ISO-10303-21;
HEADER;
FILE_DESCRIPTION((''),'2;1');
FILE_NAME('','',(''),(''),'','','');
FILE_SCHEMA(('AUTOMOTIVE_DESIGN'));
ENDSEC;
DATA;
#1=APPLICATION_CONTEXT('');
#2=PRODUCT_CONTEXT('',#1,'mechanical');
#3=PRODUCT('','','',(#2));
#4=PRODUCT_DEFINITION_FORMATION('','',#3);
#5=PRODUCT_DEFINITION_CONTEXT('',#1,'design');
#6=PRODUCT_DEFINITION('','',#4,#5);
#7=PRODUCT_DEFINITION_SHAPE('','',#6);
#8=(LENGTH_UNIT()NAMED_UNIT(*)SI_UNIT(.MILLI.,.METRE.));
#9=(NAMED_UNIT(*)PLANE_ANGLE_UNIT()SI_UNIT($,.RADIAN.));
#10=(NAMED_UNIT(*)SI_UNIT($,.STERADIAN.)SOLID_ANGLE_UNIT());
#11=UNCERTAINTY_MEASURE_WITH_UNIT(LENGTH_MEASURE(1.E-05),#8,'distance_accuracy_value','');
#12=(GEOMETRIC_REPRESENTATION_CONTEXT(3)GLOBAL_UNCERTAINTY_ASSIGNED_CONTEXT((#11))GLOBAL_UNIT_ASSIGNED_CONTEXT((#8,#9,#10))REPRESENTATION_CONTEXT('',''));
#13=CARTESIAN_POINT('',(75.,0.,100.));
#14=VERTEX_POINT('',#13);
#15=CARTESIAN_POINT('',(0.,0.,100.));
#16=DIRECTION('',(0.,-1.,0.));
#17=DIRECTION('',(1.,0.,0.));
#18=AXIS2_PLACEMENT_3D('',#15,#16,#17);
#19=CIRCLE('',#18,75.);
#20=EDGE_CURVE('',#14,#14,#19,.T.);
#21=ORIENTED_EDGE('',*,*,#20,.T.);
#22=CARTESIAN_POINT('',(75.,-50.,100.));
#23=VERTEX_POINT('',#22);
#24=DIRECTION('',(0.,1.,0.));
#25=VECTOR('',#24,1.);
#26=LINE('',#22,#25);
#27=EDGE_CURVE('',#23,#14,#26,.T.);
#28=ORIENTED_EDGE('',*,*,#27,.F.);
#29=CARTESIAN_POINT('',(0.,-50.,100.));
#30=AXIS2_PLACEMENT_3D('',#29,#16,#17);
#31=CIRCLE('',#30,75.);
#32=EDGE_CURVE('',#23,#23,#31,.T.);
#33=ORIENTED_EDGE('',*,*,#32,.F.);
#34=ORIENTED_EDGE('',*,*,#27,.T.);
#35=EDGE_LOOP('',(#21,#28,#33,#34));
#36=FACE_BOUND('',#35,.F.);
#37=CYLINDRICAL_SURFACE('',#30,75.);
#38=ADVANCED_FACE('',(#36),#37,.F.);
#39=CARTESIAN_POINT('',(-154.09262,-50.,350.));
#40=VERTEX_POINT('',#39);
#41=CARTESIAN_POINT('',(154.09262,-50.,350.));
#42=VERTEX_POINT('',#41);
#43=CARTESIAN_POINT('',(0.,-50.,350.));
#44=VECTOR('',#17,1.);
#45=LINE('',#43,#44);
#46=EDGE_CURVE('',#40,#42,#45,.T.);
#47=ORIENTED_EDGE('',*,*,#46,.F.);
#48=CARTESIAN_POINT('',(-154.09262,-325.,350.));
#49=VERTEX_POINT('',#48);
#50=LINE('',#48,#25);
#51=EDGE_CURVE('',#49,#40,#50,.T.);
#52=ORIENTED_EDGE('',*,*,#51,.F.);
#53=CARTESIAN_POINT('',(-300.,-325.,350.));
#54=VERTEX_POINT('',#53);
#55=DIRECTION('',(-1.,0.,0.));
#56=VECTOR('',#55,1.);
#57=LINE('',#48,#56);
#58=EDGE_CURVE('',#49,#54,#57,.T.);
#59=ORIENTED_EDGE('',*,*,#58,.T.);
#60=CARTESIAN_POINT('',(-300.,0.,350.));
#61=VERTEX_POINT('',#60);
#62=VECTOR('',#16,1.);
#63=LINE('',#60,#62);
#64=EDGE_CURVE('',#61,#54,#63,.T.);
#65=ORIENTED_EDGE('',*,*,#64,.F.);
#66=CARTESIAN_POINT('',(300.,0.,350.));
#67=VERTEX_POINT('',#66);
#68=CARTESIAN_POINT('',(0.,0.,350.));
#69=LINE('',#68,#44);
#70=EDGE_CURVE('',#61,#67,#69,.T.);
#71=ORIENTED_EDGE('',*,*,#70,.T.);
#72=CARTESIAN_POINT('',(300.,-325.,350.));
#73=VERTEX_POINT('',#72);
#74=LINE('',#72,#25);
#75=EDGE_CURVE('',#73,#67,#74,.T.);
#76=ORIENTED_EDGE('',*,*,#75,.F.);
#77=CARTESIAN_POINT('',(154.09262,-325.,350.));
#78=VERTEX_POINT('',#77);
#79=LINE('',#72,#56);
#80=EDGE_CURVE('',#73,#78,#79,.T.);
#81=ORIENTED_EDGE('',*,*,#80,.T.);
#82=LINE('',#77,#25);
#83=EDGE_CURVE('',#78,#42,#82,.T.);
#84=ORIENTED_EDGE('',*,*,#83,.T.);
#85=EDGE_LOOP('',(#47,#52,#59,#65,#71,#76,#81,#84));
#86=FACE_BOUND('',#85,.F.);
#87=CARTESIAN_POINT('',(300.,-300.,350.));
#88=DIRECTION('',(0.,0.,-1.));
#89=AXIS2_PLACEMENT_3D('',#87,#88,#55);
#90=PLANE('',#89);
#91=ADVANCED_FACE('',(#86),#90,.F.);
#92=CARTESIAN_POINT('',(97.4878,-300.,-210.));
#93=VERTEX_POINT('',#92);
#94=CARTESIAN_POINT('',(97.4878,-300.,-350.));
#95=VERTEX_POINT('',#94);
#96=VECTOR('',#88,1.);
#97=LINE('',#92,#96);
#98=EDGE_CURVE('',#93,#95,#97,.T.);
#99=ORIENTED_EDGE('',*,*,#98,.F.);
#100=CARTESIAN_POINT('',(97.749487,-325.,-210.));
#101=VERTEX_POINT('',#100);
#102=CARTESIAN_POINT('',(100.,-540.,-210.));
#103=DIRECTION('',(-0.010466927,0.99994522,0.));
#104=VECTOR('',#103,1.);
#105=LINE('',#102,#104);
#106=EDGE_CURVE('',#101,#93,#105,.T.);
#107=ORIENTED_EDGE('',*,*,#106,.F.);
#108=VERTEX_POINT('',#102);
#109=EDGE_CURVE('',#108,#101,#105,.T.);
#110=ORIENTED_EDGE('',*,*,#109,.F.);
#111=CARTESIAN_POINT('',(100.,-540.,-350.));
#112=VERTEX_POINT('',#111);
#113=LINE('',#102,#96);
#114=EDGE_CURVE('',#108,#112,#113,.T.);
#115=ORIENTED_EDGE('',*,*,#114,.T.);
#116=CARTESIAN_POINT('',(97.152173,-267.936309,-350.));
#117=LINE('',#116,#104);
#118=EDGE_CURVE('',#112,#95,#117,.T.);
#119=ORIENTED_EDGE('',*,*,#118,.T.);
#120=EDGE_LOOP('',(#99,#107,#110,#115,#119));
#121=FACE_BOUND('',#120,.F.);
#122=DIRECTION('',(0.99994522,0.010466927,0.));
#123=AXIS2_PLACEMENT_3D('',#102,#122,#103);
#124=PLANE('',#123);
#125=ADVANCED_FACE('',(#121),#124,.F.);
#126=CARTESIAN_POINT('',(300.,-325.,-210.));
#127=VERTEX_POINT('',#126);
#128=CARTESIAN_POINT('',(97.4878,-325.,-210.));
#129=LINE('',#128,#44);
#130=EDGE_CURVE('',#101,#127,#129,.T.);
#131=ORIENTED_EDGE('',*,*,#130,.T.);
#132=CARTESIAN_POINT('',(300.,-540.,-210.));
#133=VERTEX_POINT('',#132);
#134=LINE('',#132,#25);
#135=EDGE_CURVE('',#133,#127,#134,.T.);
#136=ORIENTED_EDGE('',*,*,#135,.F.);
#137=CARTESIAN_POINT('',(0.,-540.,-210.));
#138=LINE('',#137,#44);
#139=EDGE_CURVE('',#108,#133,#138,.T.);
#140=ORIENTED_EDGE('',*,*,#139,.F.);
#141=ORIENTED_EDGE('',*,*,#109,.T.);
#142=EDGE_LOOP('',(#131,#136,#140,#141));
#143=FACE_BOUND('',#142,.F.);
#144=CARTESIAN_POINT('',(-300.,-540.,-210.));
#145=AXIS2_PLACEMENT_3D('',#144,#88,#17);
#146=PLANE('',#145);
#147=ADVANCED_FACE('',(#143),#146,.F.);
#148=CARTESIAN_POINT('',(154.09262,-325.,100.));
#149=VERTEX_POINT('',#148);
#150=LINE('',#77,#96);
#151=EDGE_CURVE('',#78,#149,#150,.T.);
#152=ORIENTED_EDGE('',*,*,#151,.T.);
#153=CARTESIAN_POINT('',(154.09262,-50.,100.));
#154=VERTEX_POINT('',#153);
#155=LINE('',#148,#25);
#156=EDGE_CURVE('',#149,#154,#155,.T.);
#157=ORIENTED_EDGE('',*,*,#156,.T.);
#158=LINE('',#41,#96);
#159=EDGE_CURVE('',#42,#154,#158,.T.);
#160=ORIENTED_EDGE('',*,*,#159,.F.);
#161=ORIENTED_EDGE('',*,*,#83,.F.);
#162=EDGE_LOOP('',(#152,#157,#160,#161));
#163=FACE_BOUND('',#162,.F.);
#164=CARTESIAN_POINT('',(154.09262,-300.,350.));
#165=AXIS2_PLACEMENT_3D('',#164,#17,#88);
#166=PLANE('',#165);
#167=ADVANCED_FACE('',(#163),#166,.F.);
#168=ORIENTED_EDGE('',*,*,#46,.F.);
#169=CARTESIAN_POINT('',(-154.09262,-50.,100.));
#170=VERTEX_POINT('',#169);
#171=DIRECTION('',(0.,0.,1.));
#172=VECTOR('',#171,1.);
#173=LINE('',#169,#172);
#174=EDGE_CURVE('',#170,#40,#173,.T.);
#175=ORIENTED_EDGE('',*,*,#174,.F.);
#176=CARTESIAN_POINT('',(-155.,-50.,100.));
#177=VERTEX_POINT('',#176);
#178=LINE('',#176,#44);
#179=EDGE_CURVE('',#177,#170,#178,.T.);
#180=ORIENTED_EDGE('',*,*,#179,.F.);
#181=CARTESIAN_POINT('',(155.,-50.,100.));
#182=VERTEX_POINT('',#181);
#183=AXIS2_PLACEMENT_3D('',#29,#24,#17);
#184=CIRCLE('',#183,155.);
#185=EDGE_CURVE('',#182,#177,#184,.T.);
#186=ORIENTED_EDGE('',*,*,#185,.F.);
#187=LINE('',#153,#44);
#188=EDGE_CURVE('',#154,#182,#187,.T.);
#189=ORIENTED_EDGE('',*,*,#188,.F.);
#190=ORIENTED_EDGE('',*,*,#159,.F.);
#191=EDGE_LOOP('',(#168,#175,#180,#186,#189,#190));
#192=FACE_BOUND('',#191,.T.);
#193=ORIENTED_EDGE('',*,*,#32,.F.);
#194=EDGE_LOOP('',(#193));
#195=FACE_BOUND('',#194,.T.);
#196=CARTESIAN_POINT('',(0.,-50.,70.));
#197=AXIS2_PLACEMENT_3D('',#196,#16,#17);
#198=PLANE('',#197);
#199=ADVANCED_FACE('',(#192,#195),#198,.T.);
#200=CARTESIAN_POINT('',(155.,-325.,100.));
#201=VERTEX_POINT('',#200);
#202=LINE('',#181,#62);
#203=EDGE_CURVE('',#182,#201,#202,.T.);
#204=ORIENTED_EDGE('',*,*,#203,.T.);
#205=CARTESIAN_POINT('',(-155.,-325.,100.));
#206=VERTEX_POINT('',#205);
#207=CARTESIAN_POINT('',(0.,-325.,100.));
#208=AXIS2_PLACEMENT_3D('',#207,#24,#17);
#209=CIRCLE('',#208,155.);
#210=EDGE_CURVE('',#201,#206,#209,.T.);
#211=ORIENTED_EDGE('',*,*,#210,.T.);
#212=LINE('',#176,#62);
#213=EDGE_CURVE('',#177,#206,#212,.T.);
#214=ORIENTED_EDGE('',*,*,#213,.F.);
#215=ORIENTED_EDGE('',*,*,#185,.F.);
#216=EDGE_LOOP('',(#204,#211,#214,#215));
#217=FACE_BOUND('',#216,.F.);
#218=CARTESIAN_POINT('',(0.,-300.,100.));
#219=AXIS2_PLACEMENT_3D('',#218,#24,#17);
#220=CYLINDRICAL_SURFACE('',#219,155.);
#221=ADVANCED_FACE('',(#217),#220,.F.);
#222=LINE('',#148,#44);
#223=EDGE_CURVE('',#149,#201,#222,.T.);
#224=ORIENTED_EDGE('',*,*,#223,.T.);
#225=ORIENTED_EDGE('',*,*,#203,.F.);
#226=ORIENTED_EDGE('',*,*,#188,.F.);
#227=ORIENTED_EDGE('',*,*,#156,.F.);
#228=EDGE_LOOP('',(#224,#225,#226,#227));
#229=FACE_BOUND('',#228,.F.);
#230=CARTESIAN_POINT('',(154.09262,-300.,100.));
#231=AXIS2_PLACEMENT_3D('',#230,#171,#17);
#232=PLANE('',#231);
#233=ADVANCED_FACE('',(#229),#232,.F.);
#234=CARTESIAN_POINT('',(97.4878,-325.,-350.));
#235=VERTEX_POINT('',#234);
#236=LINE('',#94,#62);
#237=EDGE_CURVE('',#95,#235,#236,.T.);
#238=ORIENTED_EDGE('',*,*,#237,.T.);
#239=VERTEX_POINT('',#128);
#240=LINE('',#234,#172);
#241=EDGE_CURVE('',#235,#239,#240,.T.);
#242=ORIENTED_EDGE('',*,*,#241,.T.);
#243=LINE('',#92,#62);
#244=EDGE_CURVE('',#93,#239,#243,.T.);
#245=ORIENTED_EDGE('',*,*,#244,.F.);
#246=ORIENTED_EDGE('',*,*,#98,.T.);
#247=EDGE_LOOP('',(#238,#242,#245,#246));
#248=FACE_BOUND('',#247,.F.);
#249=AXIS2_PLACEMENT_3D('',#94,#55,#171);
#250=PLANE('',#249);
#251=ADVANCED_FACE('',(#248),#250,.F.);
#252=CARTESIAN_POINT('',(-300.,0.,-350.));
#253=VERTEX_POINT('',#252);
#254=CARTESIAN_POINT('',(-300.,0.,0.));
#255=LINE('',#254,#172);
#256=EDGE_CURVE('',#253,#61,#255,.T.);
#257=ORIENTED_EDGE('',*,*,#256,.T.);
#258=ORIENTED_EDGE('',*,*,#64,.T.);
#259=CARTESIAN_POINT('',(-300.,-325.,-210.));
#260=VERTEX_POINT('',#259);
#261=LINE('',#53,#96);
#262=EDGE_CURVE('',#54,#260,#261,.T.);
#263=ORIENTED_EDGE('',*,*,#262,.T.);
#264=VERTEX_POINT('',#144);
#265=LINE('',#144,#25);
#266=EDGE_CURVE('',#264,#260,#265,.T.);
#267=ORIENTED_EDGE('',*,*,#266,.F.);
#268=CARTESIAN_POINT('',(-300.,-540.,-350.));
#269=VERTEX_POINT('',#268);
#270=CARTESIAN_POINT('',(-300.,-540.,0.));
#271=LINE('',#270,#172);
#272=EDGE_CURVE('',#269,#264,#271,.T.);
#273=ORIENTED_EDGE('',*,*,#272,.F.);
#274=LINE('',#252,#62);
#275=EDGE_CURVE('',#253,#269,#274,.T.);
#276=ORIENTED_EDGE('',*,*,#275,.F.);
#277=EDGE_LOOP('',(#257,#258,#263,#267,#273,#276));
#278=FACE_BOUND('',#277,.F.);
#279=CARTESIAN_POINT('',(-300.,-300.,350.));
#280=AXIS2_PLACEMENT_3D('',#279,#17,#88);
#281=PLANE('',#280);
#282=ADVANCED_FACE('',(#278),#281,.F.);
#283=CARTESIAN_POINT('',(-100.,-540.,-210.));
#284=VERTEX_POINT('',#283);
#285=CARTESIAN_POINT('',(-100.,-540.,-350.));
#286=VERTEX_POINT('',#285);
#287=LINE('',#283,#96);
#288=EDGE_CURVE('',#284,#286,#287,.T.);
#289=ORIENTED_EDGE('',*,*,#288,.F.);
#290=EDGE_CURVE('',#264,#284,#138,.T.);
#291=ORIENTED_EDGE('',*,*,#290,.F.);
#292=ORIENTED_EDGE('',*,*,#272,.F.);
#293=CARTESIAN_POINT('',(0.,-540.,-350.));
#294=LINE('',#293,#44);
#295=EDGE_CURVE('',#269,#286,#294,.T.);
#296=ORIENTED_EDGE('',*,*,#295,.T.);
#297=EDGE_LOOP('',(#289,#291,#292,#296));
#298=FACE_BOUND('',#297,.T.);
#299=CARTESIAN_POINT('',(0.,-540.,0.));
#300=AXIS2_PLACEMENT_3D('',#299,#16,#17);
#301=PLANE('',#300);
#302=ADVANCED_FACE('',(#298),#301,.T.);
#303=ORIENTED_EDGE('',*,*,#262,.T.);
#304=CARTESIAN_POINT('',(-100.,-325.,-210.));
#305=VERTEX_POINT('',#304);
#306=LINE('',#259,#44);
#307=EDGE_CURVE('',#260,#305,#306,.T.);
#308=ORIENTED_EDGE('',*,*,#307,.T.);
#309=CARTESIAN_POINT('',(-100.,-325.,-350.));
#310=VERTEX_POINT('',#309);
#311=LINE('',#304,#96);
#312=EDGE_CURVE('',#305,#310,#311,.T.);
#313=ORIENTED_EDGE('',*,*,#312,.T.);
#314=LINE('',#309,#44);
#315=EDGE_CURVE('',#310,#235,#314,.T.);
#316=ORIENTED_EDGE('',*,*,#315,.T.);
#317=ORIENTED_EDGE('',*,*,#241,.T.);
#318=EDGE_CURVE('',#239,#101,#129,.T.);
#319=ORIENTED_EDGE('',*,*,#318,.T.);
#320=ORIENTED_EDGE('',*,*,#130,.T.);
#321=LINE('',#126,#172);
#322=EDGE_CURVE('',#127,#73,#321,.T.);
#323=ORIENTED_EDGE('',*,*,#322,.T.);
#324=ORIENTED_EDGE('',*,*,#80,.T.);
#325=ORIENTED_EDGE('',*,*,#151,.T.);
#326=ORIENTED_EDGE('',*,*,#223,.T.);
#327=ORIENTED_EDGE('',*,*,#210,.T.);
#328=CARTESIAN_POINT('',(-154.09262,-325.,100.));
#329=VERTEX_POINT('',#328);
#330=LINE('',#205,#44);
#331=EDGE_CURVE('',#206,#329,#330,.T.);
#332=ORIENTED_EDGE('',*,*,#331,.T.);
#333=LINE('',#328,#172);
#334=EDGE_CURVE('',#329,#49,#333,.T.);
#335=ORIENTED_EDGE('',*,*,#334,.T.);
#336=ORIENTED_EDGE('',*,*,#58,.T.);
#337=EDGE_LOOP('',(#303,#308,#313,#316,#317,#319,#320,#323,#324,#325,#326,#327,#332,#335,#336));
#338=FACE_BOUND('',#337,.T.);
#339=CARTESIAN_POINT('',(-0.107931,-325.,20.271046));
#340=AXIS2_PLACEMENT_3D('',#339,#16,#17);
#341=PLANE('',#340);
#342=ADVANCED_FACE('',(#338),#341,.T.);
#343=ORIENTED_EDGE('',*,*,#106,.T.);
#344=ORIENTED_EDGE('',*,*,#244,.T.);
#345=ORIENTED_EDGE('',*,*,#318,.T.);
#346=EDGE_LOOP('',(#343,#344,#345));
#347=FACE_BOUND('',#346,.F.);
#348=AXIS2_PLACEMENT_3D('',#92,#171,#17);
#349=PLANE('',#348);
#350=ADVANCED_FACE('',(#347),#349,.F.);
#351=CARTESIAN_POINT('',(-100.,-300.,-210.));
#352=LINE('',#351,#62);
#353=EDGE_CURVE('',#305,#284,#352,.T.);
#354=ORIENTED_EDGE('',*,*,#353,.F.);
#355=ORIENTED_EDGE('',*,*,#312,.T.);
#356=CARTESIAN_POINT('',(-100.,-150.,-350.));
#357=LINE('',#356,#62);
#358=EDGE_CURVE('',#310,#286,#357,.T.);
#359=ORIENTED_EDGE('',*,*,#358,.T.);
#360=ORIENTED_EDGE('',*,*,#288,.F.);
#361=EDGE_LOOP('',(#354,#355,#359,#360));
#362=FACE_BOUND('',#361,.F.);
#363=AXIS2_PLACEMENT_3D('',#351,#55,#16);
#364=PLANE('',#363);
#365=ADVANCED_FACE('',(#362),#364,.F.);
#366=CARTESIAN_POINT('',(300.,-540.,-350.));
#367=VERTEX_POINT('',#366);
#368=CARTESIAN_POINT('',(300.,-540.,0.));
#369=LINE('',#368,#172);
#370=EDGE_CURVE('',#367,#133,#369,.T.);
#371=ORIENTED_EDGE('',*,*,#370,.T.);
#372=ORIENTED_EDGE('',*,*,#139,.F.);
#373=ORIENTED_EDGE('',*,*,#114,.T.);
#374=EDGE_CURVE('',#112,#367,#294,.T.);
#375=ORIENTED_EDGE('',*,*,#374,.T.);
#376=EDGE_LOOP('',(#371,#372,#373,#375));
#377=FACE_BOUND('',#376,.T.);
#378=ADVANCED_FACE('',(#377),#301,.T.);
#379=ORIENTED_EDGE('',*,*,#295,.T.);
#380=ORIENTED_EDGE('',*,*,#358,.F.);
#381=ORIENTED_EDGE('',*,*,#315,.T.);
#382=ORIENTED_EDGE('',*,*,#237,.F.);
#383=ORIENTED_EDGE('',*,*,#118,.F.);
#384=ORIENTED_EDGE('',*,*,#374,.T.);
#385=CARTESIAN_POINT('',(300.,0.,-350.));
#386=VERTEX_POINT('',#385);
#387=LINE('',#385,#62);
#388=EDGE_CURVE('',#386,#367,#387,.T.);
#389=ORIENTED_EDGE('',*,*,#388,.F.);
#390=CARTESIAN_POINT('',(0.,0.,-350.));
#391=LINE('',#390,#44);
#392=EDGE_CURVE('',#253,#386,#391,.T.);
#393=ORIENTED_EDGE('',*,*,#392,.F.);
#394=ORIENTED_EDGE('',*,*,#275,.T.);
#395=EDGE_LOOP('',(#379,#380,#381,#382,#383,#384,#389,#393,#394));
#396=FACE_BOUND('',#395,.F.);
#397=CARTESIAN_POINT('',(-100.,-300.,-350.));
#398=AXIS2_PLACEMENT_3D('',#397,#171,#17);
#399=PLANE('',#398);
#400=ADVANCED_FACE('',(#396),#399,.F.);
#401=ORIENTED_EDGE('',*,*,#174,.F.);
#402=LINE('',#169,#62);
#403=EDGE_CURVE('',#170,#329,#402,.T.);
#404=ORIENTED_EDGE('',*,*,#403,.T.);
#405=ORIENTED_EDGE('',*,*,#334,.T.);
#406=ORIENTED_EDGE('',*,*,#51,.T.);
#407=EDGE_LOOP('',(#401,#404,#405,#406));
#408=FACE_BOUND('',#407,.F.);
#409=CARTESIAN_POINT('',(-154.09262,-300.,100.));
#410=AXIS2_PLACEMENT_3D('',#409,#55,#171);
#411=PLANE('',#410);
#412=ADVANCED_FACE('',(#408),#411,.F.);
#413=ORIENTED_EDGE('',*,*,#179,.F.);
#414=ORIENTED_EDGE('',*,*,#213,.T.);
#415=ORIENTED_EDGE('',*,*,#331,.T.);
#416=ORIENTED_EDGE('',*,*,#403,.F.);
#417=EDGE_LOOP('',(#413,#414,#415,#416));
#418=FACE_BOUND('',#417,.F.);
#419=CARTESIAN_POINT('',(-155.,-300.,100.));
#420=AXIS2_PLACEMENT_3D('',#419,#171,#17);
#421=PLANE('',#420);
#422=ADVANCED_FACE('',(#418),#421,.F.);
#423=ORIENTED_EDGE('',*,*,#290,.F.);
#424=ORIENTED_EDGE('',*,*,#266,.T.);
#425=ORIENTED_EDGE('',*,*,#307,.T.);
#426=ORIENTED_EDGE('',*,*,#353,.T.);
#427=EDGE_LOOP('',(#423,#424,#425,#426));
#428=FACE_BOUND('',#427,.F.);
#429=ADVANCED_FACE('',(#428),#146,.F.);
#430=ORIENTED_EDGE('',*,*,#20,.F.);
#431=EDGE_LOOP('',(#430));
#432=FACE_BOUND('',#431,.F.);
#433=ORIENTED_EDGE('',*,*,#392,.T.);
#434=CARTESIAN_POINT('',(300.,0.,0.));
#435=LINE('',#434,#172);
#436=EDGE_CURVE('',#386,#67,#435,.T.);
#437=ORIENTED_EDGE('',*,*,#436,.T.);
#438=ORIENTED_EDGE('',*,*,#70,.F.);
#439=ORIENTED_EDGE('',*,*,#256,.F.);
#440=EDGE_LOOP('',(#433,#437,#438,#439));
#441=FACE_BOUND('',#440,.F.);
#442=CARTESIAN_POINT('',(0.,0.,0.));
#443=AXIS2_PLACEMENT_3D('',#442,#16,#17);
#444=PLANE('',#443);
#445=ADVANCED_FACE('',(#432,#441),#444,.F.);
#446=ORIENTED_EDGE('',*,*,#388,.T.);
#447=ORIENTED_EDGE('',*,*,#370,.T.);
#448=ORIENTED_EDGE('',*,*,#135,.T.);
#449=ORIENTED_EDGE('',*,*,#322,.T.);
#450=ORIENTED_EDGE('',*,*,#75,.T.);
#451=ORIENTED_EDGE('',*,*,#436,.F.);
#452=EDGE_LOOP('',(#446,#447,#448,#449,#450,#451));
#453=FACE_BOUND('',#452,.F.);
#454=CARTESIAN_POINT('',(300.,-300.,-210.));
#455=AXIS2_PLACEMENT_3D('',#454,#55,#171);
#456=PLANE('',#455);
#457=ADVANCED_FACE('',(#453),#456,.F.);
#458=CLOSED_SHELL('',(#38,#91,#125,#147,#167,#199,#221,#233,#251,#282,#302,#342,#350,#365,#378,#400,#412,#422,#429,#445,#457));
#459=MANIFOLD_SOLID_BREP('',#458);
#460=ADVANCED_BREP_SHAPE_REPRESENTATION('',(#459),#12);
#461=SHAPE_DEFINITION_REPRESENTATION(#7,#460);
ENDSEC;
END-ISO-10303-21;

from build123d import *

# Parameters (mm, degrees)
F0_W      = 600
F0_H      = 700
F1_DEPTH  = 540
F2_W      = 600
F2_H      = 560
F3_DEPTH  = 240
F5_DEPTH  = 140.001
F7_DEPTH  = 25
F8_DEPTH  = 250
F9_R      = 75
F10_DEPTH = 50.001


with BuildPart() as f1:
    # F0 (on Front) → F1 (new body)
    with BuildSketch(Plane.XZ):
        Rectangle(F0_W, F0_H)
    extrude(amount=F1_DEPTH)

    # F2 (on face) → F3 (cut)
    with BuildSketch(Plane.XZ.offset(540)):
        with Locations((0, 70)):
            Rectangle(F2_W, F2_H)
    extrude(amount=-F3_DEPTH, mode=Mode.SUBTRACT)

    # F4 (on face) → F5 (cut, through all)
    with BuildSketch(Plane.XY.offset(-210)):
        Polygon((97.4877998233, -300), (-100, -300), (-100, -540), (100, -540), align=None)
    extrude(amount=-F5_DEPTH, mode=Mode.SUBTRACT)

    # F6 (on face) → F7 (join)
    with BuildSketch(Plane.XZ.offset(300)):
        with BuildLine():
            Line((154.0926195456, 100), (155, 100))
            ThreePointArc((155, 100), (0, -55), (-155, 100))
            Line((-155, 100), (-154.0926195456, 100))
            Line((-154.0926195456, 100), (-154.0926195456, 350))
            Line((-154.0926195456, 350), (-300, 350))
            Line((-300, 350), (-300, -210))
            Line((-300, -210), (-100, -210))
            Line((-100, -210), (-100, -350))
            Line((-100, -350), (97.4877998233, -350))
            Line((97.4877998233, -350), (97.4877998233, -210))
            Line((97.4877998233, -210), (300, -210))
            Line((300, -210), (300, 350))
            Line((300, 350), (154.0926195456, 350))
            Line((154.0926195456, 350), (154.0926195456, 100))
        make_face()
    extrude(amount=F7_DEPTH)

    # F8 (cut): faces of the model
    f8_faces = [f1.faces().sort_by_distance(p)[0] for p in [
        (0, -300, 162.2749017605),
        (0, -300, 162.2749017605),
    ]]
    extrude(f8_faces, amount=-F8_DEPTH, mode=Mode.SUBTRACT)

    # F9 (on face) → F10 (cut, through all)
    with BuildSketch(Plane.XZ.offset(50)):
        with Locations((0, 100)):
            Circle(F9_R)
    extrude(amount=-F10_DEPTH, mode=Mode.SUBTRACT)


solid = f1.part
